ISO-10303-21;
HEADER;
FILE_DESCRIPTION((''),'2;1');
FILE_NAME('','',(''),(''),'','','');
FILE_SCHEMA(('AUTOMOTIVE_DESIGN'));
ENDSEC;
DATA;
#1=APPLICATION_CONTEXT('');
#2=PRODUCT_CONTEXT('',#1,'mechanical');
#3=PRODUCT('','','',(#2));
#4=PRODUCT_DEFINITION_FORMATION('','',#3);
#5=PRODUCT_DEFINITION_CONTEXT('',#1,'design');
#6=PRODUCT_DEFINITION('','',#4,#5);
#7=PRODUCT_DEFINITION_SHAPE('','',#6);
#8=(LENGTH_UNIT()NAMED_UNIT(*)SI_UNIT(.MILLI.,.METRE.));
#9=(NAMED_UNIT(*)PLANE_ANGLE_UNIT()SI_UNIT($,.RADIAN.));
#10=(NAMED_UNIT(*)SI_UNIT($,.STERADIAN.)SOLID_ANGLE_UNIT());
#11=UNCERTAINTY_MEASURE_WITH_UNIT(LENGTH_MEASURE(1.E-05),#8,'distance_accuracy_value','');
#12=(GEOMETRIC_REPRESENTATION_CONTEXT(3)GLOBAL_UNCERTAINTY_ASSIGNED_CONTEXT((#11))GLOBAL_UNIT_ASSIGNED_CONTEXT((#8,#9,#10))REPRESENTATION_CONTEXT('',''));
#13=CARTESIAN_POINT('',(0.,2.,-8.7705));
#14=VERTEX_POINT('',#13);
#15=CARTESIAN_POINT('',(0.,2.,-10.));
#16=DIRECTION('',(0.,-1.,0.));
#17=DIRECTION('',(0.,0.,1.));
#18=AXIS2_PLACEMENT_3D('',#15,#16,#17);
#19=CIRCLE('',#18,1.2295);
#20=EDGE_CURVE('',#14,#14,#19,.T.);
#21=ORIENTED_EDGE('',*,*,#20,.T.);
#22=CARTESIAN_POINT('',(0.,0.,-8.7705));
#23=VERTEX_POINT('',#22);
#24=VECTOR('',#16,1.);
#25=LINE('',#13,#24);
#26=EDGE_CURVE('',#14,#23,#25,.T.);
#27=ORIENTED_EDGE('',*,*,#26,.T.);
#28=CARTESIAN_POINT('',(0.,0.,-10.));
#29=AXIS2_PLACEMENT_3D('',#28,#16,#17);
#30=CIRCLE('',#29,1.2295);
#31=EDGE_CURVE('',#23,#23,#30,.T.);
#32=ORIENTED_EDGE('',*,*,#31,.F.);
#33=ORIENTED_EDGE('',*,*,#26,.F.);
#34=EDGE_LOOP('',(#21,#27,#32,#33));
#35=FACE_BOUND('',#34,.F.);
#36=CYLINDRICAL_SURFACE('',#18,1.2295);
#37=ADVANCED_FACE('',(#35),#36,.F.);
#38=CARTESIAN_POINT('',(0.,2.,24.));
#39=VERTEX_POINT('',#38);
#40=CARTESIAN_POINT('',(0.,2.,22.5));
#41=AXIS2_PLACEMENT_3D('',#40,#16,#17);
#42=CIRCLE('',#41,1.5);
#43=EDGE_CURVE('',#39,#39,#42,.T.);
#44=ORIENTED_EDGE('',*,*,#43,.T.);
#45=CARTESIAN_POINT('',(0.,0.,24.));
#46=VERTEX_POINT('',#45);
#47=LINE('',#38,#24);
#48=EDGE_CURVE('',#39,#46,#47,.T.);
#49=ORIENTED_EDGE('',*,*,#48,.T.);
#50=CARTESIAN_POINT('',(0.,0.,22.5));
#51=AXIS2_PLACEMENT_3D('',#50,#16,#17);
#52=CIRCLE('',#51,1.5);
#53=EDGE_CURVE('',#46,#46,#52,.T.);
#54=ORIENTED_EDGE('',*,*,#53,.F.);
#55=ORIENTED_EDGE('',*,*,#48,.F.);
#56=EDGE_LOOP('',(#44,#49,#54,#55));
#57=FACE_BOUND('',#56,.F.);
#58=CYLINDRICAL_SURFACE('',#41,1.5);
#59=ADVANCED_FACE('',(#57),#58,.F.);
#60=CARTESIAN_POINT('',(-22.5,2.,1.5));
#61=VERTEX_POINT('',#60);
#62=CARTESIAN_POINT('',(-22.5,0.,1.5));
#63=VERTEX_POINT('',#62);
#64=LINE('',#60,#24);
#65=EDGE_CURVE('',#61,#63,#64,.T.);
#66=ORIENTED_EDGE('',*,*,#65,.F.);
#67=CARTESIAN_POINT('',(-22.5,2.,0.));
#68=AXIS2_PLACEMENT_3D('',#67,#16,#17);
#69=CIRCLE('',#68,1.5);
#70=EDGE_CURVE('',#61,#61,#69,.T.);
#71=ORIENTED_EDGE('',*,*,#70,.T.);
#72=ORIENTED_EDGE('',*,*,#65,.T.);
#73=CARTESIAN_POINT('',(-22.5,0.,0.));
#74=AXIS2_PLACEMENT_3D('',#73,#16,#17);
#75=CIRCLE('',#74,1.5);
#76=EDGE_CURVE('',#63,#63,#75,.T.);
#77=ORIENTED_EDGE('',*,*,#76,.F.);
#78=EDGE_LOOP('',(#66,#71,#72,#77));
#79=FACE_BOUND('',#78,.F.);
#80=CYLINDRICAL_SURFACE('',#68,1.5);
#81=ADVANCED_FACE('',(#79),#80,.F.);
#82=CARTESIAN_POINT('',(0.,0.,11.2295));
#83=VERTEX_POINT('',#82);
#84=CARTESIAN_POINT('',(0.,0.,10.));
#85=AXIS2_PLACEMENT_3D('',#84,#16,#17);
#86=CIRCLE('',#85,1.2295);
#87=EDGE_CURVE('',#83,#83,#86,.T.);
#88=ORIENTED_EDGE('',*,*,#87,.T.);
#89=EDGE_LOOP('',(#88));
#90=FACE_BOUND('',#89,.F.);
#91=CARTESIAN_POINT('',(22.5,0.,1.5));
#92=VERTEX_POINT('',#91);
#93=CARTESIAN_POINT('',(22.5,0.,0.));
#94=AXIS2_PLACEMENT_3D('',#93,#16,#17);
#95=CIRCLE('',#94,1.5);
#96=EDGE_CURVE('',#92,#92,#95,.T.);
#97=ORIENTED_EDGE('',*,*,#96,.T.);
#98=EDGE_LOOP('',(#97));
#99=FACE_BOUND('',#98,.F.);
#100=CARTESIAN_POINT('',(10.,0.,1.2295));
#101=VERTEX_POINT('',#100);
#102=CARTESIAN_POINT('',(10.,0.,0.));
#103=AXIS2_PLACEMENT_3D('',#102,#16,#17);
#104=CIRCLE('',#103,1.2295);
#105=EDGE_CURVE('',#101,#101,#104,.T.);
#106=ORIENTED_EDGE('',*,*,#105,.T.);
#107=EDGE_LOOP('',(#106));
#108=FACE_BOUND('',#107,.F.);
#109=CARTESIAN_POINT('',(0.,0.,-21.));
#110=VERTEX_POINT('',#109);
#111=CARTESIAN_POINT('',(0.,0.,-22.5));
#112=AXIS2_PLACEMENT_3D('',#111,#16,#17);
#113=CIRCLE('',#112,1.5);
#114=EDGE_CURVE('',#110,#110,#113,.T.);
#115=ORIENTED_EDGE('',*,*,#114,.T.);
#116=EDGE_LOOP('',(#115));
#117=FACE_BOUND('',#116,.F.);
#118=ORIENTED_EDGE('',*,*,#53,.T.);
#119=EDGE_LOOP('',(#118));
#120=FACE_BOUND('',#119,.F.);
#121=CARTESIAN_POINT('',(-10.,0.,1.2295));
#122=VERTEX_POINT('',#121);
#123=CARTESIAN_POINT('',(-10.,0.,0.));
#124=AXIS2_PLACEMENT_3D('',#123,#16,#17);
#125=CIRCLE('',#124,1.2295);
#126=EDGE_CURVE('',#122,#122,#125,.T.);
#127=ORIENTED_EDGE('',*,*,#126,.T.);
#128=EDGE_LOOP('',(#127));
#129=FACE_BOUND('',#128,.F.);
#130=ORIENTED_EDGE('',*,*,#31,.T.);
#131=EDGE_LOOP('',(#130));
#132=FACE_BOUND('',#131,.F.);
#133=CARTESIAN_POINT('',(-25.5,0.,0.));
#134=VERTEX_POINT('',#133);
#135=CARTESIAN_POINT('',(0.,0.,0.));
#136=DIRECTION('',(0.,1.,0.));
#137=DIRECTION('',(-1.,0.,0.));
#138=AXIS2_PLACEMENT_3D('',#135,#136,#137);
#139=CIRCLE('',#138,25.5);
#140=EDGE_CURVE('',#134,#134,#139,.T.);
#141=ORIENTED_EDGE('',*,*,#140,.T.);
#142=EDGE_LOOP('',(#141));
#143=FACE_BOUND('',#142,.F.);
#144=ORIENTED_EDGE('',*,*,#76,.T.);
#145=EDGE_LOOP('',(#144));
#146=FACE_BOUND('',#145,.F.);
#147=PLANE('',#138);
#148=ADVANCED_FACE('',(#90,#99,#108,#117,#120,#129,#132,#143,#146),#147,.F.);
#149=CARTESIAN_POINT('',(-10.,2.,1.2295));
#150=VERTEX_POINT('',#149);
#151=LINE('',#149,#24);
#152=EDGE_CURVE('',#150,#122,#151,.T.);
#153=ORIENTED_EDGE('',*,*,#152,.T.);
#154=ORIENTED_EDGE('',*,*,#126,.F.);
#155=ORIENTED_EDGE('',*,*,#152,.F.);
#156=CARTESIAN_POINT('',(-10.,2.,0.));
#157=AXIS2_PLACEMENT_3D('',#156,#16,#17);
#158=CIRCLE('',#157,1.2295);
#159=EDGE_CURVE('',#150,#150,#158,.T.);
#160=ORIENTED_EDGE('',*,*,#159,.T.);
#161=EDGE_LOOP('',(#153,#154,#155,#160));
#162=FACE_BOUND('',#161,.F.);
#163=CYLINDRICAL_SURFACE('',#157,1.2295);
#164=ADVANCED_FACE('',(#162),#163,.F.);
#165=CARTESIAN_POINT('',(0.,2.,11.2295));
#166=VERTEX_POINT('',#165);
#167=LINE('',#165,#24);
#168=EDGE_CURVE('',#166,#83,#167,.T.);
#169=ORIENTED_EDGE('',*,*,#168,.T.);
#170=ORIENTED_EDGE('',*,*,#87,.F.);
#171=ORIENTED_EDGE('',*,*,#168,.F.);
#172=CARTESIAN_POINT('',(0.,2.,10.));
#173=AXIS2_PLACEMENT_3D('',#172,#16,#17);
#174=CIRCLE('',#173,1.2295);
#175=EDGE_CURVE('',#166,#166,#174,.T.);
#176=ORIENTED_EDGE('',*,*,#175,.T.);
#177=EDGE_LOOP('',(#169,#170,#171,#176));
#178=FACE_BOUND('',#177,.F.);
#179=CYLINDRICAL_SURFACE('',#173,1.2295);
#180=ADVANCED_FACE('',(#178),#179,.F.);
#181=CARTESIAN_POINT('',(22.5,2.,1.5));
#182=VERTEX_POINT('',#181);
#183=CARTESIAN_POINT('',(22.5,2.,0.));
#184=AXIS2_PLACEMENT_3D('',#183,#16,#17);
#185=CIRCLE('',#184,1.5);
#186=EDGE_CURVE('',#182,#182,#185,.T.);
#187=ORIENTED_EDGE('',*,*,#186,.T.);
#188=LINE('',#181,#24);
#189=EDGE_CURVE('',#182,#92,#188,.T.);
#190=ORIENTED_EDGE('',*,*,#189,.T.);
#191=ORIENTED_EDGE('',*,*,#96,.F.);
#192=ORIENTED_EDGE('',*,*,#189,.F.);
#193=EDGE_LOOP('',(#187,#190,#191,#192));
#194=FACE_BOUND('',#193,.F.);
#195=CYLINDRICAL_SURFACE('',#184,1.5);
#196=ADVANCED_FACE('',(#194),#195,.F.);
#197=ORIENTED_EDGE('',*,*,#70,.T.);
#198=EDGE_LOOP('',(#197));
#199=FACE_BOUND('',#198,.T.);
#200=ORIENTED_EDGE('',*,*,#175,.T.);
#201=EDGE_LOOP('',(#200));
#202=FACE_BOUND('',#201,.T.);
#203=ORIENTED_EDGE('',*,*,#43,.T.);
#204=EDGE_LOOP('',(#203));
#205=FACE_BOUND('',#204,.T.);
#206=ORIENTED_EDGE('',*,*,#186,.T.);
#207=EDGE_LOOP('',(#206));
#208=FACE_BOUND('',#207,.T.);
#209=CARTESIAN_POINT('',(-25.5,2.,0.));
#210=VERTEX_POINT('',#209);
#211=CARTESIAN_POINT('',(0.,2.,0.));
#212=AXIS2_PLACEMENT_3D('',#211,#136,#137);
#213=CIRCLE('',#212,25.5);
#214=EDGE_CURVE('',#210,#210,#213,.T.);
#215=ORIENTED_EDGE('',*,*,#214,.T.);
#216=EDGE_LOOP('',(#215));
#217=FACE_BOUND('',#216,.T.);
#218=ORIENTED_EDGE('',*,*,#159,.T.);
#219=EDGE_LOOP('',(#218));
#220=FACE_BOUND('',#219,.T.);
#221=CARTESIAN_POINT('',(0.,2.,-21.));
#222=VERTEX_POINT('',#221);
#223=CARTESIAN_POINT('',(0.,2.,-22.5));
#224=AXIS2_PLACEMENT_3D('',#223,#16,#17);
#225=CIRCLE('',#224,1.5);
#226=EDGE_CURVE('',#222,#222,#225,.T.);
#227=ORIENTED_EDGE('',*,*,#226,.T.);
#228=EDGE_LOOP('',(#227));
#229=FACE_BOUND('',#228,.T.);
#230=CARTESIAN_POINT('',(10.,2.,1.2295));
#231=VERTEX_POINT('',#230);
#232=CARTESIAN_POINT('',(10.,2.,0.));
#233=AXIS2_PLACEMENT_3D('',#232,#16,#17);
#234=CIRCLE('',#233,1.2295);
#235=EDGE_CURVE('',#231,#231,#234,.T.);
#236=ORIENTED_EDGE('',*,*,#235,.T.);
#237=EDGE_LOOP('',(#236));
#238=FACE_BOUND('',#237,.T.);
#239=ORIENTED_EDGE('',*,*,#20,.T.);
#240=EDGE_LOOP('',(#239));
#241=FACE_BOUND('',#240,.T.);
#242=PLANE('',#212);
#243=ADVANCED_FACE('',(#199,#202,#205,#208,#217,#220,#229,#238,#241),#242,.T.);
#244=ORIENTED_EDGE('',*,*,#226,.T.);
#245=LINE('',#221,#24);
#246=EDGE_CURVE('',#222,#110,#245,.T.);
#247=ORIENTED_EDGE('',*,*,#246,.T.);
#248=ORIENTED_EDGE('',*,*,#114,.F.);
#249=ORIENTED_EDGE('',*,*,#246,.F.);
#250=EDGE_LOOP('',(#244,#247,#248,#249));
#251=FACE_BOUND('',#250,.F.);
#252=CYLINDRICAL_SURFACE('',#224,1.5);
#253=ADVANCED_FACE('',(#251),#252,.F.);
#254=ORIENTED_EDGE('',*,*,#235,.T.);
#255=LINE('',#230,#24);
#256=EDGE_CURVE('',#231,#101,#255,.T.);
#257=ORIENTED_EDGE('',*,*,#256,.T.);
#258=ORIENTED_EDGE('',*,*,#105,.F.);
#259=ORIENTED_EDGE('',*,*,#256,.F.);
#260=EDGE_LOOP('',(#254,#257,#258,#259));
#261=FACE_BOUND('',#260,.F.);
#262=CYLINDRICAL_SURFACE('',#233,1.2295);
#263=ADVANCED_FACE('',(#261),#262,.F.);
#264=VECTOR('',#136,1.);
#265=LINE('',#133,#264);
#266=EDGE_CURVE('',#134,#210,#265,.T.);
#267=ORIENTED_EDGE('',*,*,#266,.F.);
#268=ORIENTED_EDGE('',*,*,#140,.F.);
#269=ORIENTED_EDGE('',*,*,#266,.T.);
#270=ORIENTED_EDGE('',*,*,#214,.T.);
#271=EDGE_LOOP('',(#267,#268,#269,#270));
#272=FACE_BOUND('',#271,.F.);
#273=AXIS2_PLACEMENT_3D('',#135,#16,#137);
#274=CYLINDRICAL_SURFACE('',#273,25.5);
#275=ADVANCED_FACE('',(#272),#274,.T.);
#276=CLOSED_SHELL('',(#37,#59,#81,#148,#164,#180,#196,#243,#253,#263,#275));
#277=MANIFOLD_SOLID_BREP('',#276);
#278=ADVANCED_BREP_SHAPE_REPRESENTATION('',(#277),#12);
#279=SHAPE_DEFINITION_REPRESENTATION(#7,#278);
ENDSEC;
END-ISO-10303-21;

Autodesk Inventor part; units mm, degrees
ref_plane "YZ Plane" through (0, 0, 0) normal (1, 0, 0) x (0, 1, 0)
ref_plane "XZ Plane" through (0, 0, 0) normal (0, 1, 0) x (-1, 0, 0)
ref_plane "XY Plane" through (0, 0, 0) normal (0, 0, 1) x (1, 0, 0)
sketch "Sketch1" plane through (0, 0, 0) normal (0, 1, 0) x (-1, 0, 0)
  point P0 (0, 0)
sketch "Sketch2" plane through (0, 0, 0) normal (0, 1, 0) x (-1, 0, 0)
  circle A0 centre (0, 0) radius 25.5
  dimension "d0" = 51
extrude "Extrusion1" add sketch "Sketch2" along normal blind 2
sketch "Sketch3" plane through (0, 2, 0) normal (0, 1, 0) x (1, 0, 0)
  circle A0 centre (0, 0) radius 22.5
  line L0 (-35.7, 0) -> (35.7, 0) projected
  line L1 (0, 35.7) -> (0, -35.7) projected
  point P0 (-22.5, 0)
  point P1 (0, -22.5)
  point P2 (22.5, 0)
  point P3 (0, 22.5)
  dimension "d3" = 45
hole "Hole1" at (-22.5, 2, 0) at (0, 2, 22.5) at (22.5, 2, 0) at (0, 2, -22.5) direction (0, -1, 0) diameter 3 end through all
sketch "Sketch4" plane through (0, 2, 0) normal (0, 1, 0) x (1, 0, 0)
  circle A0 centre (0, 0) radius 10
  point P0 (0, -10)
  point P1 (10, 0)
  point P2 (0, 10)
  point P3 (-10, 0)
  dimension "d11" = 20
hole "Hole2" at (-10, 2, 0) at (0, 2, 10) at (10, 2, 0) at (0, 2, -10) direction (0, -1, 0) diameter 2.459 end through all thread size "M3x0.5" class "6H" standard "ANSI Metric M Profile"
properties part number "판"
